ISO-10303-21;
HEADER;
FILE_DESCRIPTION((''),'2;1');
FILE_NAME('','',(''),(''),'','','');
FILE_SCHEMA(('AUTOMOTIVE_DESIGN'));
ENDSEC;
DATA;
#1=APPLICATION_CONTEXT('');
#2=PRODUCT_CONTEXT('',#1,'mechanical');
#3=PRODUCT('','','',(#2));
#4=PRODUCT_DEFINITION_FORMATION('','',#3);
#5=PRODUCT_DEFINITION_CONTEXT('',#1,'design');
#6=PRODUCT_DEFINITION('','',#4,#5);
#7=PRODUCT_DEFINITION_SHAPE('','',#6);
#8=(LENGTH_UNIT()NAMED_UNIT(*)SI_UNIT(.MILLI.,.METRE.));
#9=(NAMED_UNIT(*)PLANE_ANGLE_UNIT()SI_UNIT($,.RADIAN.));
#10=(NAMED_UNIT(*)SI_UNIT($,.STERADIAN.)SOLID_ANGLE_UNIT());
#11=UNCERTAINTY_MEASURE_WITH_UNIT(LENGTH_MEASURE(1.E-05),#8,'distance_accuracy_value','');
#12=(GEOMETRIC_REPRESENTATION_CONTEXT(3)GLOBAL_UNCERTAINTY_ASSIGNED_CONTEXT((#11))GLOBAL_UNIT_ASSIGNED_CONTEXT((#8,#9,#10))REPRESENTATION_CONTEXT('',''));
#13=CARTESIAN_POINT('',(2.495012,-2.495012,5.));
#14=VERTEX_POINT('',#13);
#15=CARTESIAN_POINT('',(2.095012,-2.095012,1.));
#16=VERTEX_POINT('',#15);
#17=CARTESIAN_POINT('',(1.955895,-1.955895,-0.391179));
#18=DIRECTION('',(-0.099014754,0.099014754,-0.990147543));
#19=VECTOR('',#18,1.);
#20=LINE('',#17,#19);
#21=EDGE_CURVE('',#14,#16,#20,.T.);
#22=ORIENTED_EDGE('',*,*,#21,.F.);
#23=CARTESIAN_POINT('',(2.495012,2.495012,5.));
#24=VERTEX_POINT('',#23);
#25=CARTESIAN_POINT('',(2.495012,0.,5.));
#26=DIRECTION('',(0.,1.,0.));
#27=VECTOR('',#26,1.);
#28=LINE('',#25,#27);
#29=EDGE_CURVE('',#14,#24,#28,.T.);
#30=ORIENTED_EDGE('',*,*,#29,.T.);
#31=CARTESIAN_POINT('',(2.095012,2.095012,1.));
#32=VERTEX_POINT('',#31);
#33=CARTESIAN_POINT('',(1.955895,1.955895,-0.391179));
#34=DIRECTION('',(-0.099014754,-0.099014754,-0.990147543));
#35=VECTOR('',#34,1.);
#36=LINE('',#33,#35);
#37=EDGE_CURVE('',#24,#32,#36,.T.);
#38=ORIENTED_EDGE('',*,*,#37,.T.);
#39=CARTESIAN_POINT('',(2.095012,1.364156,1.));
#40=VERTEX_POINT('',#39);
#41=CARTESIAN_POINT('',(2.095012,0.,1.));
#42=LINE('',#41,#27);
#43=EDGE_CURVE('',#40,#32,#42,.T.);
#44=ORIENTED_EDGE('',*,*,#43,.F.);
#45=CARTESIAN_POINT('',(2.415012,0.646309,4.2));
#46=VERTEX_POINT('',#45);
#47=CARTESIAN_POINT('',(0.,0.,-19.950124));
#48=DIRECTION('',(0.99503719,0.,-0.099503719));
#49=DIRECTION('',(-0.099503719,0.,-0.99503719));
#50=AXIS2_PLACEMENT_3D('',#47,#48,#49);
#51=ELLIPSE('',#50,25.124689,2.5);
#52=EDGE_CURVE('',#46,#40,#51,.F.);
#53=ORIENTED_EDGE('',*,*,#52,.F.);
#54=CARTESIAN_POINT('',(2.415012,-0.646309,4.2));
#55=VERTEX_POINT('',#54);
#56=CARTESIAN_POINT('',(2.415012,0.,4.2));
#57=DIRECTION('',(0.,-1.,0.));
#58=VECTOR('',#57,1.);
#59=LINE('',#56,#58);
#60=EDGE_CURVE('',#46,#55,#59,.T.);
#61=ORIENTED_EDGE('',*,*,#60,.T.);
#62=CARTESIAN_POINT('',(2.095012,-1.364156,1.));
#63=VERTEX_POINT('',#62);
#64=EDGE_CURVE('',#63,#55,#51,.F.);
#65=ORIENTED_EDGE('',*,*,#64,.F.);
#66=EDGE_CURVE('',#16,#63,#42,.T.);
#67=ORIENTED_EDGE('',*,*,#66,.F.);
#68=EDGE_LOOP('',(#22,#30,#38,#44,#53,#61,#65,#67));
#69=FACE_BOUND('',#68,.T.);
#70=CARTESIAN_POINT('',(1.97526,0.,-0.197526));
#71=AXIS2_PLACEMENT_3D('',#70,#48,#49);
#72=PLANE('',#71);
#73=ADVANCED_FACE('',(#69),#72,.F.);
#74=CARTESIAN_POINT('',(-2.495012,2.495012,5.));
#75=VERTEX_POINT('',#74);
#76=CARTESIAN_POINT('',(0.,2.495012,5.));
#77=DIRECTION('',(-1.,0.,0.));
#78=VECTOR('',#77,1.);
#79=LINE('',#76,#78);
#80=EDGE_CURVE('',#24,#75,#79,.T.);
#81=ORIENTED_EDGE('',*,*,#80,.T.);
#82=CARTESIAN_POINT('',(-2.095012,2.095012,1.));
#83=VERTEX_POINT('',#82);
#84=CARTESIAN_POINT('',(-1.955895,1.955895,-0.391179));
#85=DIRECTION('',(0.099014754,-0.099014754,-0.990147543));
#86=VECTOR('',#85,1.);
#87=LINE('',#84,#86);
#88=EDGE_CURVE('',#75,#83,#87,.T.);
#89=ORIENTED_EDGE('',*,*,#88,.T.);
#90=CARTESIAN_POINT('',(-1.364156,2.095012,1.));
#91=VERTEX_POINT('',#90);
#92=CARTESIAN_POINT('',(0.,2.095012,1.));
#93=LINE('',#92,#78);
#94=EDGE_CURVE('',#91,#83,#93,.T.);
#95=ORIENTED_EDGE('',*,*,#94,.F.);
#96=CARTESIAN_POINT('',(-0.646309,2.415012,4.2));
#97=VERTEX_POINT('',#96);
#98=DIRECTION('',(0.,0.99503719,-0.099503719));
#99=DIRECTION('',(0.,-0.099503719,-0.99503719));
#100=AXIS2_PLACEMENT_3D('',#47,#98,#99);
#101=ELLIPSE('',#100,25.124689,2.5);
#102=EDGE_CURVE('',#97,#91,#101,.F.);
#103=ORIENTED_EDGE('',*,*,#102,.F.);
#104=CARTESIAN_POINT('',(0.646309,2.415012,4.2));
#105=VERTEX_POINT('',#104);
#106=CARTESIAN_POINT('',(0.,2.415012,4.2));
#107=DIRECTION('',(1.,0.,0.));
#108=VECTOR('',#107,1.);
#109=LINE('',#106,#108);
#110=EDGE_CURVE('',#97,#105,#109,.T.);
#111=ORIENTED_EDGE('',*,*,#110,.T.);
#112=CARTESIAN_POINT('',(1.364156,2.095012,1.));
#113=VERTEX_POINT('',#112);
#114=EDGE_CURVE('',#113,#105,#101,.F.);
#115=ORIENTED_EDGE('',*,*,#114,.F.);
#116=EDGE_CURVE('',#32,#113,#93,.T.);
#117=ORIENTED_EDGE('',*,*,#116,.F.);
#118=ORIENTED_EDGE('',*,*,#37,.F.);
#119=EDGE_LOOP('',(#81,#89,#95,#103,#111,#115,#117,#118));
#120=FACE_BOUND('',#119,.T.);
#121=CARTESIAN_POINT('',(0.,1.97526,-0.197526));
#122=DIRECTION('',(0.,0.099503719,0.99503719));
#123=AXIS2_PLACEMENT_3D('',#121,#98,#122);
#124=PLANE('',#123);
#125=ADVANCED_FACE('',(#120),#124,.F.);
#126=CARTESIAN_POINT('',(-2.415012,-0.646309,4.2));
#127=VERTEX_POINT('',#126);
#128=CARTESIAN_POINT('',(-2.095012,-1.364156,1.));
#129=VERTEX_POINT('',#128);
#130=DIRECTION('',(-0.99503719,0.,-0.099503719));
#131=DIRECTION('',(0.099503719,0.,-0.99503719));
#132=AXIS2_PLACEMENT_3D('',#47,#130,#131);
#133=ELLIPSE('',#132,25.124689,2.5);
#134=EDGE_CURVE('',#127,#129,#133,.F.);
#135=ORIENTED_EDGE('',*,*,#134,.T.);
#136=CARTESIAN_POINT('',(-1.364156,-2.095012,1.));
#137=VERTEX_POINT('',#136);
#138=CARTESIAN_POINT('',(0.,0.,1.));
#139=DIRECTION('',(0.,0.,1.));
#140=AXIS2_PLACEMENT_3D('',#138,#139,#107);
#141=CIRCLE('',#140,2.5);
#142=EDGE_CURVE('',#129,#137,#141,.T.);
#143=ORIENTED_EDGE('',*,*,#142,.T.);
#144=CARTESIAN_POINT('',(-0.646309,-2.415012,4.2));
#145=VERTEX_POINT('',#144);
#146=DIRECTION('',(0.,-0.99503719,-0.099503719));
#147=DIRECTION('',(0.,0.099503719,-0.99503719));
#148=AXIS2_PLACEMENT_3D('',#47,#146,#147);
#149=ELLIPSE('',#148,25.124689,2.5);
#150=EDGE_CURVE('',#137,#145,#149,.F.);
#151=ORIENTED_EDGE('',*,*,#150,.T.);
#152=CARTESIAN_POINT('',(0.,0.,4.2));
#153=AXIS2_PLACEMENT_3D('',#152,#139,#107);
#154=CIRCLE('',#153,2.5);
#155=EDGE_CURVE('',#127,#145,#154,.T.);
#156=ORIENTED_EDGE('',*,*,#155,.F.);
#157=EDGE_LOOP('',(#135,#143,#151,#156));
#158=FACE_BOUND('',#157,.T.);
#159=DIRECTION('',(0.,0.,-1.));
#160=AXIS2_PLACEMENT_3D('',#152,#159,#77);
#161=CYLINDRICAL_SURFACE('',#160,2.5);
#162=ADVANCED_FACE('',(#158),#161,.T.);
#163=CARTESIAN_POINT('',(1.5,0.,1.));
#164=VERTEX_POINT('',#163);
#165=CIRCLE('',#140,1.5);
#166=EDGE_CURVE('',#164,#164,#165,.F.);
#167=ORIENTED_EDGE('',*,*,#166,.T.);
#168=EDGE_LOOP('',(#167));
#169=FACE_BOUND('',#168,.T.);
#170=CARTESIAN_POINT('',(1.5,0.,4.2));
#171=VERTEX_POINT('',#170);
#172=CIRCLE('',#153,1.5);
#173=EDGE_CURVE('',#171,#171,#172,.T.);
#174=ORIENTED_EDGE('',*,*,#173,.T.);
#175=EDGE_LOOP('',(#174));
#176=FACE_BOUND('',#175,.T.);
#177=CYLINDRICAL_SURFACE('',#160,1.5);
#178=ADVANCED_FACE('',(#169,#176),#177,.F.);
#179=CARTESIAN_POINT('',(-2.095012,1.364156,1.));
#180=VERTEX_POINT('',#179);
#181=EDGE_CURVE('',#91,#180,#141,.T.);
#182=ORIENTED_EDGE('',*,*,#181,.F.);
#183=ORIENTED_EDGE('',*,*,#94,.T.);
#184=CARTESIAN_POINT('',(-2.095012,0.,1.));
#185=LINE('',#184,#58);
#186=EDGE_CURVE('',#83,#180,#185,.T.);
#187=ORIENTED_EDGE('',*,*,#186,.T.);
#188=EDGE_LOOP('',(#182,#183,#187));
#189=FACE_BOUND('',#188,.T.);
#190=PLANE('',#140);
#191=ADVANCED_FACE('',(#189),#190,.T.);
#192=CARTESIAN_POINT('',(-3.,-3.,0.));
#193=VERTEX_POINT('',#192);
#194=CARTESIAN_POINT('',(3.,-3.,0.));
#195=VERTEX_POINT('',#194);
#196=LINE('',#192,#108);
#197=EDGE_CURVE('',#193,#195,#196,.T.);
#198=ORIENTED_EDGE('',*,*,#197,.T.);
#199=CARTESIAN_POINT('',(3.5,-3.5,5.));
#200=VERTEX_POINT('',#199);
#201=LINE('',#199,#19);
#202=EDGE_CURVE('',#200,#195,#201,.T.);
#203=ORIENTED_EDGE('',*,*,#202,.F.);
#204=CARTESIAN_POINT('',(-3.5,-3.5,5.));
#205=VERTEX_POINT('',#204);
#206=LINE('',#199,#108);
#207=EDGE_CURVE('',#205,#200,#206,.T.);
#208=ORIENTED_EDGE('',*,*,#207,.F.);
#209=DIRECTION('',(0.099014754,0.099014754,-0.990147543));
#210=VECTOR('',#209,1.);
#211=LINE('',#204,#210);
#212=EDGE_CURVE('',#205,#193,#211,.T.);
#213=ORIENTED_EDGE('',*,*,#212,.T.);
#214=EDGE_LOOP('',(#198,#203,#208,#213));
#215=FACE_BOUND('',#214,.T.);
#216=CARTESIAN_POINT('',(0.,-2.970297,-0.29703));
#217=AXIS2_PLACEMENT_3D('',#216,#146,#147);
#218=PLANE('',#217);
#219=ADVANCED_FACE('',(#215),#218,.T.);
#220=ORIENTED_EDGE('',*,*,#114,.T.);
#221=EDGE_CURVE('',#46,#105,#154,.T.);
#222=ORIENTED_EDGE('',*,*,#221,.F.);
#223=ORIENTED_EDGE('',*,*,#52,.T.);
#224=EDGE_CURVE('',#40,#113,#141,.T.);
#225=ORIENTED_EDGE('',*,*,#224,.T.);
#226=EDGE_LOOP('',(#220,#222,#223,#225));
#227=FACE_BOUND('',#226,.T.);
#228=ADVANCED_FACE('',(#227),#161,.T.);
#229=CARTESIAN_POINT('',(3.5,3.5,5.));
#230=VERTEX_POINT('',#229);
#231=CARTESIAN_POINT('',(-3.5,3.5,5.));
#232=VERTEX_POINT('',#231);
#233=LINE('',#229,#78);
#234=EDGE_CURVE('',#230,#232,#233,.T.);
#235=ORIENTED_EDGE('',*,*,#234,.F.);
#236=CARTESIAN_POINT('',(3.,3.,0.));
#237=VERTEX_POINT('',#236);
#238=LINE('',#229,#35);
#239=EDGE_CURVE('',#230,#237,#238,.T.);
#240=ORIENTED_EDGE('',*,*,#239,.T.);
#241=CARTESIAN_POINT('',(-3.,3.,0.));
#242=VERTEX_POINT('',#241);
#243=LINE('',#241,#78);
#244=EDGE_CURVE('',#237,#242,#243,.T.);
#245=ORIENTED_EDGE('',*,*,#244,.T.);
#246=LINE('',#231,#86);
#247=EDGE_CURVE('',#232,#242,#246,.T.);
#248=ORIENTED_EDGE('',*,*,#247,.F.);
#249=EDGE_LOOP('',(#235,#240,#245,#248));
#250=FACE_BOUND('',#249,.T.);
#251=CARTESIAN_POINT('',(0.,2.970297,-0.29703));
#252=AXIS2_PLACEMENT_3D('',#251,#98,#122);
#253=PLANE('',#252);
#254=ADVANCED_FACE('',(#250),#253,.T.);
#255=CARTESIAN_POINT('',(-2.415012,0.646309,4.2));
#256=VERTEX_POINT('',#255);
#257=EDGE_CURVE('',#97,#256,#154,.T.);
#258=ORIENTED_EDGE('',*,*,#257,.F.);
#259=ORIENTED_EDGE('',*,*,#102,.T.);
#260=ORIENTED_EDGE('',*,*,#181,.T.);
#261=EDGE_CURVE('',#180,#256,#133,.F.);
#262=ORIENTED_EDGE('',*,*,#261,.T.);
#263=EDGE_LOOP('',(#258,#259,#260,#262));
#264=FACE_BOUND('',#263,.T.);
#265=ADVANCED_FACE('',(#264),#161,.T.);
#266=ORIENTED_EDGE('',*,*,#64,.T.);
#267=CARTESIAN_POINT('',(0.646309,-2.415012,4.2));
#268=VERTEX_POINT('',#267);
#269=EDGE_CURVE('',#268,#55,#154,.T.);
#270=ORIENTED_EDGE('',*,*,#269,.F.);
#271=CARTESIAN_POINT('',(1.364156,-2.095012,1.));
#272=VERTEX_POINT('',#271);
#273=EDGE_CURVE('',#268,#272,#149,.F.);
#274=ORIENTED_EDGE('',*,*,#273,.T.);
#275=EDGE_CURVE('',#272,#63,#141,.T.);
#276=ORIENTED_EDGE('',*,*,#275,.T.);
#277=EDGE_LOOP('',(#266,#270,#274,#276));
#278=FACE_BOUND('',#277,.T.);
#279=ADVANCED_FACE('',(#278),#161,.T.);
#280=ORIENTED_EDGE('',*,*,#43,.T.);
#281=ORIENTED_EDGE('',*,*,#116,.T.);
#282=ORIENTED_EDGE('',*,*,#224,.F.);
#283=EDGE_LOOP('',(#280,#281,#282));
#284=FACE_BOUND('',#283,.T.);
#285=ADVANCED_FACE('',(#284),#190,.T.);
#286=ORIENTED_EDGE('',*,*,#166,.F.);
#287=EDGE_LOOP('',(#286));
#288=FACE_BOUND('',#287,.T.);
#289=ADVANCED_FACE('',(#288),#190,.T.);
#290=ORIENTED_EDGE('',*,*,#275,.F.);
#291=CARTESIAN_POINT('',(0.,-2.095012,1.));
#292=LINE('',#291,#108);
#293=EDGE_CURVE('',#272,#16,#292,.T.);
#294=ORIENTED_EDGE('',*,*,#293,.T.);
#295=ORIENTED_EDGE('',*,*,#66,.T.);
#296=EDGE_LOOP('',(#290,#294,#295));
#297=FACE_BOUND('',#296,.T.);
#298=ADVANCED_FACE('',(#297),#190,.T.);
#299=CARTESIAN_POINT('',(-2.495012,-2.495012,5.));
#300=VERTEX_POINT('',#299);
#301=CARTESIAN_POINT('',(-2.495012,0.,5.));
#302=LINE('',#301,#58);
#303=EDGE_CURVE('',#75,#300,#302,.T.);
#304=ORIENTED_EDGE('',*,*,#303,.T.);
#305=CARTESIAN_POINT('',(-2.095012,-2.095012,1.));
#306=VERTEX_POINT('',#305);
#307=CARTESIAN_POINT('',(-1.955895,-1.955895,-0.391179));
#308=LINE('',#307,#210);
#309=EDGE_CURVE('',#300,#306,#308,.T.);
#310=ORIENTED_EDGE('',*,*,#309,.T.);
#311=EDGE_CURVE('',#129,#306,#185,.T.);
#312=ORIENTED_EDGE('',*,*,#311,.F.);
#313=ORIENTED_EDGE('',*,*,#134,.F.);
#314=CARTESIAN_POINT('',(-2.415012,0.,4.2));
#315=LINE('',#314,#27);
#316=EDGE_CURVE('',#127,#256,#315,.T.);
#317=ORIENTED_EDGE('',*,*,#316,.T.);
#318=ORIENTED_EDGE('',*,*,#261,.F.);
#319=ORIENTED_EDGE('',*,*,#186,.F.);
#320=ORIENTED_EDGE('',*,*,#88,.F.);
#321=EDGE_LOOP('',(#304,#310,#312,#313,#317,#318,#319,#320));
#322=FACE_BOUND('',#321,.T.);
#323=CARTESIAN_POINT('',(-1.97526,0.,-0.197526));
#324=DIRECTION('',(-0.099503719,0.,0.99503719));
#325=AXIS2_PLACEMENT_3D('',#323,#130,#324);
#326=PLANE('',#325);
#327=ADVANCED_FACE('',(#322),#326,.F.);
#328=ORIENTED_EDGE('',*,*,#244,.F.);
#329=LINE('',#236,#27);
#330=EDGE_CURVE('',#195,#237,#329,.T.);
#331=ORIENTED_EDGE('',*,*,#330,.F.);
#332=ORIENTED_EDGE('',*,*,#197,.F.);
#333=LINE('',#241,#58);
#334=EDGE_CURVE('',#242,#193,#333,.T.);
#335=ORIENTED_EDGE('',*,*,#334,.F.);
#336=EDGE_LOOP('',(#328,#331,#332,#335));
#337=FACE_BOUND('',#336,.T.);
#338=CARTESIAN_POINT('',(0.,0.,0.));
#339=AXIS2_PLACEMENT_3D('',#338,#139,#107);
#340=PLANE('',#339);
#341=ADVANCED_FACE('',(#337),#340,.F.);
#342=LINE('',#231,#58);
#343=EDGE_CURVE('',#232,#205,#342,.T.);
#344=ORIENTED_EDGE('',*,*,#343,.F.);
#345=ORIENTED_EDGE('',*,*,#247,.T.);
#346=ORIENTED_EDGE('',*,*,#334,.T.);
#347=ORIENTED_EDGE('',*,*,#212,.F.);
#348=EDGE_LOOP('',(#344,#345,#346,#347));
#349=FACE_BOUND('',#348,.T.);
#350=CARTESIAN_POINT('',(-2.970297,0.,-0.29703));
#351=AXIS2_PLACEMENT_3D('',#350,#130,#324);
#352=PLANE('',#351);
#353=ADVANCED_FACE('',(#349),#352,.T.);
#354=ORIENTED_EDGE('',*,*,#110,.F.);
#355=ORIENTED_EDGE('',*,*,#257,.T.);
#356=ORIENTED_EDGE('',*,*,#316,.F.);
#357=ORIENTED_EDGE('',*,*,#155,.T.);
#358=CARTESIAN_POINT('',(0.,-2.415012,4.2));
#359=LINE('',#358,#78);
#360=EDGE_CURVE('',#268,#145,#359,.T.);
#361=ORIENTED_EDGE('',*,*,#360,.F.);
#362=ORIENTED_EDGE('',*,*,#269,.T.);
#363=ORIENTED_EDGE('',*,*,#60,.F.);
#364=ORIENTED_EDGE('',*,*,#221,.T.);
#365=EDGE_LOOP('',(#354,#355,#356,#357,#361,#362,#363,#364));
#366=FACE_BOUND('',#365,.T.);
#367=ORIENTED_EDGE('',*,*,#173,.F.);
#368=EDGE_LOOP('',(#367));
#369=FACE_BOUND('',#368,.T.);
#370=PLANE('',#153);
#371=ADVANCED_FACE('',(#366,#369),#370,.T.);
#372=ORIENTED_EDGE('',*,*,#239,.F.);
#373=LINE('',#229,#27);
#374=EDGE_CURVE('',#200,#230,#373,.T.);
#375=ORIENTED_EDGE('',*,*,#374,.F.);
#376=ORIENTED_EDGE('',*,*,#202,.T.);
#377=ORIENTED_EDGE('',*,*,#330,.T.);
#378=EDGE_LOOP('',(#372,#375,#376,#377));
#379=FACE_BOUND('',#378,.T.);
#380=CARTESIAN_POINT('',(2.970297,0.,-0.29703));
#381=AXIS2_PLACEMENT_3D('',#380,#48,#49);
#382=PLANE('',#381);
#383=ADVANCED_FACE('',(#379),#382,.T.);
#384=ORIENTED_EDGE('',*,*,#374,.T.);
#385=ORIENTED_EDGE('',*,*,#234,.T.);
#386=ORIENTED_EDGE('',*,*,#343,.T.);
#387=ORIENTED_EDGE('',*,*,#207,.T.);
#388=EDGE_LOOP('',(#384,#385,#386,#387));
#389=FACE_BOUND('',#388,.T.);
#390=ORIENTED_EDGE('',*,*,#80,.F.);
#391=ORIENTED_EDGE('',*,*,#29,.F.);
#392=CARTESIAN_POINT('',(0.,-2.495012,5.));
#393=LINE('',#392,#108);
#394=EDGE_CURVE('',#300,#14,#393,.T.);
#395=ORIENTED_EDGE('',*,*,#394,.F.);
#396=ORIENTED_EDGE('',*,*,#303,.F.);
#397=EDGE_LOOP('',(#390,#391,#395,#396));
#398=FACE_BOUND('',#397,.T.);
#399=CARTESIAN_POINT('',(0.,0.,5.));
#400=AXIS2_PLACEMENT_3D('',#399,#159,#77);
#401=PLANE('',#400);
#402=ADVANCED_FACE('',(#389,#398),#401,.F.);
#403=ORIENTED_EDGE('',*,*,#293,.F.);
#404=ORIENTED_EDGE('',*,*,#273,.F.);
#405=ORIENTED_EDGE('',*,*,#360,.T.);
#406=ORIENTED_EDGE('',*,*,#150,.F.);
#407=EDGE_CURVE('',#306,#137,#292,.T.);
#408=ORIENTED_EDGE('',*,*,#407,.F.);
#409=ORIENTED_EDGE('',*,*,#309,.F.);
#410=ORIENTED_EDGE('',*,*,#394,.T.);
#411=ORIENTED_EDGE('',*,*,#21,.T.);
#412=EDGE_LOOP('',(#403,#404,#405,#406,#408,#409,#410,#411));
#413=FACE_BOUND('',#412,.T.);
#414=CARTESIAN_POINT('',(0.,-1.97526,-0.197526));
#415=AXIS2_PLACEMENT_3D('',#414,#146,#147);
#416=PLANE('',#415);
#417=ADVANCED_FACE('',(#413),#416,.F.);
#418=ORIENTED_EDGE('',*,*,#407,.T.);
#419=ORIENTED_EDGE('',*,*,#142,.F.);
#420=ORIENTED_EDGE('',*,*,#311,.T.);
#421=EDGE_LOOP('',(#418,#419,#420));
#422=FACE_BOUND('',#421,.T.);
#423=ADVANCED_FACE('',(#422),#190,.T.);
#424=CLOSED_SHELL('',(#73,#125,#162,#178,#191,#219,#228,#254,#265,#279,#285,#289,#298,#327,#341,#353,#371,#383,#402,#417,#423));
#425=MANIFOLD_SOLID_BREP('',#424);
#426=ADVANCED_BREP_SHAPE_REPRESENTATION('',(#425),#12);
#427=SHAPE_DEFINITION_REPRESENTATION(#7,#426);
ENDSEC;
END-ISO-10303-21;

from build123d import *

# Parameters (mm, degrees)
COQUE1_T           = -1
ESQUISSE3_R        = 2.5
ESQUISSE3_R_2      = 1.5
BOSS_EXTRU_1_DEPTH = 3.2


with BuildPart() as part:
    # Esquisse2 → Lissage1 section 0
    with BuildSketch(Plane.XY.offset(5)):
        with BuildLine():
            Line((3.5, 3.5), (-3.5, 3.5))
            Line((-3.5, 3.5), (-3.5, -3.5))
            Line((-3.5, -3.5), (3.5, -3.5))
            Line((3.5, -3.5), (3.5, 3.5))
        make_face()
    # Esquisse1 → Lissage1 section 1
    with BuildSketch(Plane.XY):
        with BuildLine():
            Line((-3, 3), (3, 3))
            Line((3, 3), (3, -3))
            Line((3, -3), (-3, -3))
            Line((-3, -3), (-3, 3))
        make_face()
    loft()

    # Coque1
    coque1_openings = [part.faces().sort_by_distance(p)[0] for p in [
        (0, 0, 5),
    ]]
    offset(amount=COQUE1_T, openings=coque1_openings, kind=Kind.INTERSECTION)

    # Esquisse3 → Boss.-Extru.1 (add)
    with BuildSketch(Plane.XY.offset(1)):
        Circle(ESQUISSE3_R)
        Circle(ESQUISSE3_R_2, mode=Mode.SUBTRACT)
    extrude(amount=BOSS_EXTRU_1_DEPTH)


solid = part.part
